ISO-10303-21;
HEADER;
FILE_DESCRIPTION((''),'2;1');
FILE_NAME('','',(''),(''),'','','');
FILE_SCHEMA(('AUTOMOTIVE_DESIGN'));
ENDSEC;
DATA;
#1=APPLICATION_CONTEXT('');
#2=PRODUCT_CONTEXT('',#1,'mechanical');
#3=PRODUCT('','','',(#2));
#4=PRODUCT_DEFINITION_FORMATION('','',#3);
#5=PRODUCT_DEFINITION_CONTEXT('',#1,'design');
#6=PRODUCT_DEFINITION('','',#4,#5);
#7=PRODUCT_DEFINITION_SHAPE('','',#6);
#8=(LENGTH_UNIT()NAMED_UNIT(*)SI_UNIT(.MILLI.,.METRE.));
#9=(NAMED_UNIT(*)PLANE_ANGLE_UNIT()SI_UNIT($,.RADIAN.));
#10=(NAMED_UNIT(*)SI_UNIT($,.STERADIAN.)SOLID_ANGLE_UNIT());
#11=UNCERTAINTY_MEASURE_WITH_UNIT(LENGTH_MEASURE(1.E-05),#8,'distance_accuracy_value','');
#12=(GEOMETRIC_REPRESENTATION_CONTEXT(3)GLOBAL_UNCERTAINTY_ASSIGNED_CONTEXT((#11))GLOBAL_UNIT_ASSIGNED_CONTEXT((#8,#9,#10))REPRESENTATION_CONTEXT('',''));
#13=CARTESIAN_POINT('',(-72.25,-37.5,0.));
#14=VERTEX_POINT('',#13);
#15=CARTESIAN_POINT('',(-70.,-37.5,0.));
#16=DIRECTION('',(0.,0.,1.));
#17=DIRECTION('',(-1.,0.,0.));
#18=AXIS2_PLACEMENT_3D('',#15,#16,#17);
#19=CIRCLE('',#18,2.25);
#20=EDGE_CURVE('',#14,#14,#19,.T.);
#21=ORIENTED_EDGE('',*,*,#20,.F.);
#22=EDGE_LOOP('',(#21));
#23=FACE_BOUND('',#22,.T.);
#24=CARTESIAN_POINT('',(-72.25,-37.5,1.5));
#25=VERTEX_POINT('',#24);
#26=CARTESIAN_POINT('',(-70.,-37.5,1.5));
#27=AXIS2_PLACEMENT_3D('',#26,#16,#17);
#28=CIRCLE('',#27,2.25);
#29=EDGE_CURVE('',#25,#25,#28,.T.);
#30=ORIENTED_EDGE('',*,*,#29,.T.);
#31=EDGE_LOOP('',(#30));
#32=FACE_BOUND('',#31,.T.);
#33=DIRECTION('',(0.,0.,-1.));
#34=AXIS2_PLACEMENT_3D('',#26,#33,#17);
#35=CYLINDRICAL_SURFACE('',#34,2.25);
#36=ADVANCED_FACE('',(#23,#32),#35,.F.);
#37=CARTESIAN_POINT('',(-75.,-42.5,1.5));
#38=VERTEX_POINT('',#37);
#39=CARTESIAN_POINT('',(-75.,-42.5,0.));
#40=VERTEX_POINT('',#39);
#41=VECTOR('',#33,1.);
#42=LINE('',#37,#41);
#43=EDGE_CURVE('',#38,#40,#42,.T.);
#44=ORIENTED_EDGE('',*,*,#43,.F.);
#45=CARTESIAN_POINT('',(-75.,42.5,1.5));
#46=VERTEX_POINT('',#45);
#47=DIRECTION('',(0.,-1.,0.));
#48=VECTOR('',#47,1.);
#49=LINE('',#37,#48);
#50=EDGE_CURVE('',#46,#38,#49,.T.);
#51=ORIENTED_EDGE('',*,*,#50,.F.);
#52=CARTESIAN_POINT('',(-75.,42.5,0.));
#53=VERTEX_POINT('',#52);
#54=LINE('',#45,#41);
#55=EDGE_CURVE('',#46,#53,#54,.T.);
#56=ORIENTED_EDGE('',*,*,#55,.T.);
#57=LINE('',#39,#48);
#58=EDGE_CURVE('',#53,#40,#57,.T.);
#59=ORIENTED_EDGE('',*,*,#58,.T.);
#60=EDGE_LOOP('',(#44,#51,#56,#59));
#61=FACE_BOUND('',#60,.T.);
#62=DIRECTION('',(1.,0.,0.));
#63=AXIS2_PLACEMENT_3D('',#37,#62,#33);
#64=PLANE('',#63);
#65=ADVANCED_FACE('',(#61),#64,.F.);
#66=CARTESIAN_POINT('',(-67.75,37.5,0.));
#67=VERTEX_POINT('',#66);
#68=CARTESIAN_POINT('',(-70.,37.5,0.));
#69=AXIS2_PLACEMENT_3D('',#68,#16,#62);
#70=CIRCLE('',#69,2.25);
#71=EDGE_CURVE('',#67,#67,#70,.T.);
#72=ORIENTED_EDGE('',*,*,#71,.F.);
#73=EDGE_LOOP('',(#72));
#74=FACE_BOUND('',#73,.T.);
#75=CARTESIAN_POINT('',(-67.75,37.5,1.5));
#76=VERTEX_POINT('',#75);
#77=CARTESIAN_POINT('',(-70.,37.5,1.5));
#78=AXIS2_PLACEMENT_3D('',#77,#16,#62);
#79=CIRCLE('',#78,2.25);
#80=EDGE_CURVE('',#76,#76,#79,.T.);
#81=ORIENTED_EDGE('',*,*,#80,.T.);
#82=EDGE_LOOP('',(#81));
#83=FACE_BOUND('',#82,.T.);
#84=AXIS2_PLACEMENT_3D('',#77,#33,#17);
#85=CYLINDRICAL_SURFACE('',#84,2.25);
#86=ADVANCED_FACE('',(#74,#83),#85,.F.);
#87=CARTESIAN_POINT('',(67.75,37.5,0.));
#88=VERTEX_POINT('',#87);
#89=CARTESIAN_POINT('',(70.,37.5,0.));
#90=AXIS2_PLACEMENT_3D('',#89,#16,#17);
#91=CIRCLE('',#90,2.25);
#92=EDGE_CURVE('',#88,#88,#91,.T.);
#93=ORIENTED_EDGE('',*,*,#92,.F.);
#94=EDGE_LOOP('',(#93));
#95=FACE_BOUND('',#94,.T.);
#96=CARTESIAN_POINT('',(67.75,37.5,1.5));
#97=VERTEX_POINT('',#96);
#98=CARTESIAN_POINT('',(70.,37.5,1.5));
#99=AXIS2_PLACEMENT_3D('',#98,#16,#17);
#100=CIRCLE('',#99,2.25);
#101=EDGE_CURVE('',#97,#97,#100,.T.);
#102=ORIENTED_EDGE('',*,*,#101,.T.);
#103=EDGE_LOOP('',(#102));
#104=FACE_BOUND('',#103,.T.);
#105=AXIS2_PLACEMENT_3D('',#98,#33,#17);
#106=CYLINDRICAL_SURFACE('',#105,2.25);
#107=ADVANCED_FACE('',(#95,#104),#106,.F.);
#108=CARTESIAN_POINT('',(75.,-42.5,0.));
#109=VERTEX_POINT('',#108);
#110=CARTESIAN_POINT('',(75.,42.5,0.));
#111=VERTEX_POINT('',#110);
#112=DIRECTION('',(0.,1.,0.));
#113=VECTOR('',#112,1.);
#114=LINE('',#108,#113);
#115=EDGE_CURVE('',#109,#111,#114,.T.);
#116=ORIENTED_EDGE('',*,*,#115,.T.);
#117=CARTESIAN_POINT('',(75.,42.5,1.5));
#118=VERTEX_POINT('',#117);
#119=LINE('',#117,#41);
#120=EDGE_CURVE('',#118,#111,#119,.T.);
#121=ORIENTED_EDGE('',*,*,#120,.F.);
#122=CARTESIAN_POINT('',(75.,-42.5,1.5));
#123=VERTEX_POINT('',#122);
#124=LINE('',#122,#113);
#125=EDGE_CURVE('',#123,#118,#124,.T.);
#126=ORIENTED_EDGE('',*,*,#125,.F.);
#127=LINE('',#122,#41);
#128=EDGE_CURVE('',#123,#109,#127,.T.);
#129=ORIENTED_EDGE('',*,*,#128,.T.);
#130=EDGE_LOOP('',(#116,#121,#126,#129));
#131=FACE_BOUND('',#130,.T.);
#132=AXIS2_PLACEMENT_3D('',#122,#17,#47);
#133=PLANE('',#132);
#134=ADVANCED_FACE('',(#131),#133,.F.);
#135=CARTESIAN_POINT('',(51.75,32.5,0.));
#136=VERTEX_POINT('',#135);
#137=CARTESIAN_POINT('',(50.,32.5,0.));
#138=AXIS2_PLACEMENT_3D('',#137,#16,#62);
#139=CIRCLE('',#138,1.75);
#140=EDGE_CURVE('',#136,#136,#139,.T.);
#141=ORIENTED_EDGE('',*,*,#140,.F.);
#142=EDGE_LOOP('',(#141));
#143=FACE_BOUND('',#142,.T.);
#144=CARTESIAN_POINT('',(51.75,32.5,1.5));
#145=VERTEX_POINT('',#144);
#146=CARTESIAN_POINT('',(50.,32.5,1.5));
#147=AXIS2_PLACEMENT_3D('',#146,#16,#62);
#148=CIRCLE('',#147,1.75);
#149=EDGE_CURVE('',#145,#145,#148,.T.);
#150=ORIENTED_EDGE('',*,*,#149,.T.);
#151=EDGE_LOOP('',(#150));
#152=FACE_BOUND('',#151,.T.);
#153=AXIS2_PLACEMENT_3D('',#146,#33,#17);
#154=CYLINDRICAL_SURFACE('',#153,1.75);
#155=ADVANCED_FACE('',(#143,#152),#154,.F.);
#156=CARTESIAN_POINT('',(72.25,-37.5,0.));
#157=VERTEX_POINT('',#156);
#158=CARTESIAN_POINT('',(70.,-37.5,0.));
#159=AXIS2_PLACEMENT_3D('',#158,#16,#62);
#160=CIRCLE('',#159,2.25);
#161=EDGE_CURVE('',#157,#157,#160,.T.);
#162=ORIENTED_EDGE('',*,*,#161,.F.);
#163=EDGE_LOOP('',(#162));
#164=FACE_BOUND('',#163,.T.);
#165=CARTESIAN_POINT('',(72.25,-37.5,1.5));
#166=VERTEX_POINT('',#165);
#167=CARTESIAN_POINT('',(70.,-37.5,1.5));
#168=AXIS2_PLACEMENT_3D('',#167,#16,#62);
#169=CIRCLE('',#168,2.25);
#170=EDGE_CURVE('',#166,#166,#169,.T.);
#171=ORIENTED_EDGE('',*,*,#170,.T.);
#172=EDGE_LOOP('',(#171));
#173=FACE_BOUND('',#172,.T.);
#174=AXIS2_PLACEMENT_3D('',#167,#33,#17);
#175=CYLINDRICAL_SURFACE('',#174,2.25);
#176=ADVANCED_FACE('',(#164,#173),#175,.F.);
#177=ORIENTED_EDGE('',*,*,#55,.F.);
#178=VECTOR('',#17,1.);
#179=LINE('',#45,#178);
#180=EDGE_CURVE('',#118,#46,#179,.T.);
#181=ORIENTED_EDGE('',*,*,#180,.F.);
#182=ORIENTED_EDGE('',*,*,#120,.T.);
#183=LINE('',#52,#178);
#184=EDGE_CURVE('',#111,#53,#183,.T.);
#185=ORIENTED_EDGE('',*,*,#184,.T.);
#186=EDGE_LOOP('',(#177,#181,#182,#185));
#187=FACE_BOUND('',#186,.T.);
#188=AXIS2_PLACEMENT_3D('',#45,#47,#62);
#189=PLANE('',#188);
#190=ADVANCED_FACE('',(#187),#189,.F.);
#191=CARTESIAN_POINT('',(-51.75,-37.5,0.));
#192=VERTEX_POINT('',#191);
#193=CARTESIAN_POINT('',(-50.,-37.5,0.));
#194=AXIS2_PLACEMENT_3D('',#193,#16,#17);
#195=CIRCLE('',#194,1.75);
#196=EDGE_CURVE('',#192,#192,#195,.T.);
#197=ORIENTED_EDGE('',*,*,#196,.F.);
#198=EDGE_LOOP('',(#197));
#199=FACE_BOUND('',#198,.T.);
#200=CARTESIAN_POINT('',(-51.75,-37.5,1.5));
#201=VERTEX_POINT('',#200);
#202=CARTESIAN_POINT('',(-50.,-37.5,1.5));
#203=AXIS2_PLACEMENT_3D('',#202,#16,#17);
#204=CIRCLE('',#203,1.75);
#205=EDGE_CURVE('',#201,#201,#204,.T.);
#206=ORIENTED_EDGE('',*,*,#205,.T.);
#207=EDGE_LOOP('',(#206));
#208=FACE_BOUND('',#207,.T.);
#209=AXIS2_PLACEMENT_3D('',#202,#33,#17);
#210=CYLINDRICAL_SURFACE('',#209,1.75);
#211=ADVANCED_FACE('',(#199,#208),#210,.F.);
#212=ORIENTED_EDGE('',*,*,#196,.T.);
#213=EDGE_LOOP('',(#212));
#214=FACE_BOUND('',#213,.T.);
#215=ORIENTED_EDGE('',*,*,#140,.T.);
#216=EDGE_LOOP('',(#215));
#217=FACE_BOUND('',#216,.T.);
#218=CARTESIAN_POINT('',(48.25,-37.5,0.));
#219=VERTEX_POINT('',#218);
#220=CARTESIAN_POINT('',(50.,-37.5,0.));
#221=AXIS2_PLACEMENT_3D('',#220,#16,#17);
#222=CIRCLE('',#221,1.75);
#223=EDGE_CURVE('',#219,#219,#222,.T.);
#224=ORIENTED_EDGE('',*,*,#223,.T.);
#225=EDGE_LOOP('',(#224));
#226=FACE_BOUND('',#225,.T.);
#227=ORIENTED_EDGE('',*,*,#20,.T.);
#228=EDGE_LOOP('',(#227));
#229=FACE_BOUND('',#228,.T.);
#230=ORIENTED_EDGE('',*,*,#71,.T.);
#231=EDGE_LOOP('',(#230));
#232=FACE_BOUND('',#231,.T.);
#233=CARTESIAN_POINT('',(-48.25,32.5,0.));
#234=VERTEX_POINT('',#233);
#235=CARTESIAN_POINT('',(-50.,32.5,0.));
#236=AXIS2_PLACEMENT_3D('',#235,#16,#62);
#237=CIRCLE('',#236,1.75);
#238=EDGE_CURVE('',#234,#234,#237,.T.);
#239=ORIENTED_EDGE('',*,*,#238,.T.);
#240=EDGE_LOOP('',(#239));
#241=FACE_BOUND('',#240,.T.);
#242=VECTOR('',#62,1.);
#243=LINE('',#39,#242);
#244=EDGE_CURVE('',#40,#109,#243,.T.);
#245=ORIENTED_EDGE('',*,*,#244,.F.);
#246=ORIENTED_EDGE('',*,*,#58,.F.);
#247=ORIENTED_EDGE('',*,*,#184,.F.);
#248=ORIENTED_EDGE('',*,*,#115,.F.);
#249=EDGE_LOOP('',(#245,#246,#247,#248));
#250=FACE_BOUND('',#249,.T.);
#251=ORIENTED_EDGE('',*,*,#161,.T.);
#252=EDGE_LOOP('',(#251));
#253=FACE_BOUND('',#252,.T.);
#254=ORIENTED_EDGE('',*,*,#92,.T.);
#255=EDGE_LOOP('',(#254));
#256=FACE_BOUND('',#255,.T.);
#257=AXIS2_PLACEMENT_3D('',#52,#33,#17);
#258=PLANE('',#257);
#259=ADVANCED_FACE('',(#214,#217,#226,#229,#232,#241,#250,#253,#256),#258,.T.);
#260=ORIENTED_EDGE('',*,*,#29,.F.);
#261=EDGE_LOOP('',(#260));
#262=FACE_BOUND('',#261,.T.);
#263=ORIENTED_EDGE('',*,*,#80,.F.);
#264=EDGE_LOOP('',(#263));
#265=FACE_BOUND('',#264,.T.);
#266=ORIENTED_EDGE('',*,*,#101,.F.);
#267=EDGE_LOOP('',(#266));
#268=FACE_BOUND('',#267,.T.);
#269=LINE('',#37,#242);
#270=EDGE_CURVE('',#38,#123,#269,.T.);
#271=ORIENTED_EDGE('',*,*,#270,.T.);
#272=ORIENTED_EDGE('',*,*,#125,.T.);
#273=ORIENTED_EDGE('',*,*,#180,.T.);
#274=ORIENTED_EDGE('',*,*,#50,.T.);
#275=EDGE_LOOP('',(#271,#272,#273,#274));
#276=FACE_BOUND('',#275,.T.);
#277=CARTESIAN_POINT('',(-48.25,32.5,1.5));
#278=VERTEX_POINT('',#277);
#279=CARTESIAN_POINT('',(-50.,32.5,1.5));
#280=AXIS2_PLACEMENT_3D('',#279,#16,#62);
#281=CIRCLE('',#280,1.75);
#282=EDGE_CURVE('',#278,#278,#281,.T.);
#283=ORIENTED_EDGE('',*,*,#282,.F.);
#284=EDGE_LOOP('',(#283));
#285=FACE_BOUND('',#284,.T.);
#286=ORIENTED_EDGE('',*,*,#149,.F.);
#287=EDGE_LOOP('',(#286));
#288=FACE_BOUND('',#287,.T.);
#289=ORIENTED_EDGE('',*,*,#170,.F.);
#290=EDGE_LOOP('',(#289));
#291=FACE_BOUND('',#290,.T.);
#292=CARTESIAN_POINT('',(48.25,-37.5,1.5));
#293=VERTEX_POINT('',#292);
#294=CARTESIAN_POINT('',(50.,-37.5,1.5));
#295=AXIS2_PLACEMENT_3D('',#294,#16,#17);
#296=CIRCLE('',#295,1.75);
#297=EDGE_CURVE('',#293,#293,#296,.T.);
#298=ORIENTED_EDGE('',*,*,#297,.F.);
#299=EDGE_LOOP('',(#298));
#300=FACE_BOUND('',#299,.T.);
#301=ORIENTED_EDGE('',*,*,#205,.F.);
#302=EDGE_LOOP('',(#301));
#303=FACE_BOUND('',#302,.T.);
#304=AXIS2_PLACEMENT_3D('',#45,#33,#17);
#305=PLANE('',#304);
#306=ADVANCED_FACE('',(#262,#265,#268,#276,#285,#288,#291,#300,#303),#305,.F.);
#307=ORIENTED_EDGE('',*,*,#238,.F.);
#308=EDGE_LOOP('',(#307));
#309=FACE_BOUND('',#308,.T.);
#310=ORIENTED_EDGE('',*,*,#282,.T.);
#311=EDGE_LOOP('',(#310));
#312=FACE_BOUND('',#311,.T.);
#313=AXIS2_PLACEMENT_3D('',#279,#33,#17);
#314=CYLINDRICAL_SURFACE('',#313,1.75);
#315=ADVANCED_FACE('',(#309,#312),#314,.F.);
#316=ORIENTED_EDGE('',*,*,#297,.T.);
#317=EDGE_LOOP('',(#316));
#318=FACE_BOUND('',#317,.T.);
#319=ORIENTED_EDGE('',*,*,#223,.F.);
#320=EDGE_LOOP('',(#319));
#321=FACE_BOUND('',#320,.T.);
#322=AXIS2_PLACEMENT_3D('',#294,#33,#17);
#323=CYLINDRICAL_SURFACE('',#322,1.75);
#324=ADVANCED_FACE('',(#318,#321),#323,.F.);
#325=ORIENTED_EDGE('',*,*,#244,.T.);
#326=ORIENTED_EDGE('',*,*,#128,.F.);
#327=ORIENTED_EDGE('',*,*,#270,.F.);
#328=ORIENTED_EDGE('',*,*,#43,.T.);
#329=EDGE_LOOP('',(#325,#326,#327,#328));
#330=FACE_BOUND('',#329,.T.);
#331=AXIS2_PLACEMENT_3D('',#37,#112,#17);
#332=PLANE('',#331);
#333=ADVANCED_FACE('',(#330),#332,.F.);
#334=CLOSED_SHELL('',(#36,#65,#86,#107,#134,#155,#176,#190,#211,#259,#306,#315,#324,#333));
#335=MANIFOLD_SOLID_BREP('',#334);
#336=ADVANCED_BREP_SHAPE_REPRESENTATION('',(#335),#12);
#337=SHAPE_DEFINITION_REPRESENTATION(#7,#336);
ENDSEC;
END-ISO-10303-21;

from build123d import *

# Parameters (mm, degrees)
SKETCH_1_W      = 150
SKETCH_1_H      = 85
SKETCH_1_R      = 2.25
SKETCH_1_R_2    = 1.75
EXTRUDE_1_DEPTH = 1.5


with BuildPart() as part:
    # Эскиз1 → Вытянуть1 (new body)
    with BuildSketch(Plane.XY):
        Rectangle(SKETCH_1_W, SKETCH_1_H)
        with Locations((-70, 37.5)):
            Circle(SKETCH_1_R, mode=Mode.SUBTRACT)
        with Locations(Location((-70, -37.5, 0), (0, 0, 180))):
            Circle(SKETCH_1_R, mode=Mode.SUBTRACT)
        with Locations((70, -37.5)):
            Circle(SKETCH_1_R, mode=Mode.SUBTRACT)
        with Locations(Location((70, 37.5, 0), (0, 0, 180))):
            Circle(SKETCH_1_R, mode=Mode.SUBTRACT)
        with Locations((-50, 32.5)):
            Circle(SKETCH_1_R_2, mode=Mode.SUBTRACT)
        with Locations(Location((-50, -37.5, 0), (0, 0, 180))):
            Circle(SKETCH_1_R_2, mode=Mode.SUBTRACT)
        with Locations((50, 32.5)):
            Circle(SKETCH_1_R_2, mode=Mode.SUBTRACT)
        with Locations(Location((50, -37.5, 0), (0, 0, 180))):
            Circle(SKETCH_1_R_2, mode=Mode.SUBTRACT)
    extrude(amount=EXTRUDE_1_DEPTH)


solid = part.part
